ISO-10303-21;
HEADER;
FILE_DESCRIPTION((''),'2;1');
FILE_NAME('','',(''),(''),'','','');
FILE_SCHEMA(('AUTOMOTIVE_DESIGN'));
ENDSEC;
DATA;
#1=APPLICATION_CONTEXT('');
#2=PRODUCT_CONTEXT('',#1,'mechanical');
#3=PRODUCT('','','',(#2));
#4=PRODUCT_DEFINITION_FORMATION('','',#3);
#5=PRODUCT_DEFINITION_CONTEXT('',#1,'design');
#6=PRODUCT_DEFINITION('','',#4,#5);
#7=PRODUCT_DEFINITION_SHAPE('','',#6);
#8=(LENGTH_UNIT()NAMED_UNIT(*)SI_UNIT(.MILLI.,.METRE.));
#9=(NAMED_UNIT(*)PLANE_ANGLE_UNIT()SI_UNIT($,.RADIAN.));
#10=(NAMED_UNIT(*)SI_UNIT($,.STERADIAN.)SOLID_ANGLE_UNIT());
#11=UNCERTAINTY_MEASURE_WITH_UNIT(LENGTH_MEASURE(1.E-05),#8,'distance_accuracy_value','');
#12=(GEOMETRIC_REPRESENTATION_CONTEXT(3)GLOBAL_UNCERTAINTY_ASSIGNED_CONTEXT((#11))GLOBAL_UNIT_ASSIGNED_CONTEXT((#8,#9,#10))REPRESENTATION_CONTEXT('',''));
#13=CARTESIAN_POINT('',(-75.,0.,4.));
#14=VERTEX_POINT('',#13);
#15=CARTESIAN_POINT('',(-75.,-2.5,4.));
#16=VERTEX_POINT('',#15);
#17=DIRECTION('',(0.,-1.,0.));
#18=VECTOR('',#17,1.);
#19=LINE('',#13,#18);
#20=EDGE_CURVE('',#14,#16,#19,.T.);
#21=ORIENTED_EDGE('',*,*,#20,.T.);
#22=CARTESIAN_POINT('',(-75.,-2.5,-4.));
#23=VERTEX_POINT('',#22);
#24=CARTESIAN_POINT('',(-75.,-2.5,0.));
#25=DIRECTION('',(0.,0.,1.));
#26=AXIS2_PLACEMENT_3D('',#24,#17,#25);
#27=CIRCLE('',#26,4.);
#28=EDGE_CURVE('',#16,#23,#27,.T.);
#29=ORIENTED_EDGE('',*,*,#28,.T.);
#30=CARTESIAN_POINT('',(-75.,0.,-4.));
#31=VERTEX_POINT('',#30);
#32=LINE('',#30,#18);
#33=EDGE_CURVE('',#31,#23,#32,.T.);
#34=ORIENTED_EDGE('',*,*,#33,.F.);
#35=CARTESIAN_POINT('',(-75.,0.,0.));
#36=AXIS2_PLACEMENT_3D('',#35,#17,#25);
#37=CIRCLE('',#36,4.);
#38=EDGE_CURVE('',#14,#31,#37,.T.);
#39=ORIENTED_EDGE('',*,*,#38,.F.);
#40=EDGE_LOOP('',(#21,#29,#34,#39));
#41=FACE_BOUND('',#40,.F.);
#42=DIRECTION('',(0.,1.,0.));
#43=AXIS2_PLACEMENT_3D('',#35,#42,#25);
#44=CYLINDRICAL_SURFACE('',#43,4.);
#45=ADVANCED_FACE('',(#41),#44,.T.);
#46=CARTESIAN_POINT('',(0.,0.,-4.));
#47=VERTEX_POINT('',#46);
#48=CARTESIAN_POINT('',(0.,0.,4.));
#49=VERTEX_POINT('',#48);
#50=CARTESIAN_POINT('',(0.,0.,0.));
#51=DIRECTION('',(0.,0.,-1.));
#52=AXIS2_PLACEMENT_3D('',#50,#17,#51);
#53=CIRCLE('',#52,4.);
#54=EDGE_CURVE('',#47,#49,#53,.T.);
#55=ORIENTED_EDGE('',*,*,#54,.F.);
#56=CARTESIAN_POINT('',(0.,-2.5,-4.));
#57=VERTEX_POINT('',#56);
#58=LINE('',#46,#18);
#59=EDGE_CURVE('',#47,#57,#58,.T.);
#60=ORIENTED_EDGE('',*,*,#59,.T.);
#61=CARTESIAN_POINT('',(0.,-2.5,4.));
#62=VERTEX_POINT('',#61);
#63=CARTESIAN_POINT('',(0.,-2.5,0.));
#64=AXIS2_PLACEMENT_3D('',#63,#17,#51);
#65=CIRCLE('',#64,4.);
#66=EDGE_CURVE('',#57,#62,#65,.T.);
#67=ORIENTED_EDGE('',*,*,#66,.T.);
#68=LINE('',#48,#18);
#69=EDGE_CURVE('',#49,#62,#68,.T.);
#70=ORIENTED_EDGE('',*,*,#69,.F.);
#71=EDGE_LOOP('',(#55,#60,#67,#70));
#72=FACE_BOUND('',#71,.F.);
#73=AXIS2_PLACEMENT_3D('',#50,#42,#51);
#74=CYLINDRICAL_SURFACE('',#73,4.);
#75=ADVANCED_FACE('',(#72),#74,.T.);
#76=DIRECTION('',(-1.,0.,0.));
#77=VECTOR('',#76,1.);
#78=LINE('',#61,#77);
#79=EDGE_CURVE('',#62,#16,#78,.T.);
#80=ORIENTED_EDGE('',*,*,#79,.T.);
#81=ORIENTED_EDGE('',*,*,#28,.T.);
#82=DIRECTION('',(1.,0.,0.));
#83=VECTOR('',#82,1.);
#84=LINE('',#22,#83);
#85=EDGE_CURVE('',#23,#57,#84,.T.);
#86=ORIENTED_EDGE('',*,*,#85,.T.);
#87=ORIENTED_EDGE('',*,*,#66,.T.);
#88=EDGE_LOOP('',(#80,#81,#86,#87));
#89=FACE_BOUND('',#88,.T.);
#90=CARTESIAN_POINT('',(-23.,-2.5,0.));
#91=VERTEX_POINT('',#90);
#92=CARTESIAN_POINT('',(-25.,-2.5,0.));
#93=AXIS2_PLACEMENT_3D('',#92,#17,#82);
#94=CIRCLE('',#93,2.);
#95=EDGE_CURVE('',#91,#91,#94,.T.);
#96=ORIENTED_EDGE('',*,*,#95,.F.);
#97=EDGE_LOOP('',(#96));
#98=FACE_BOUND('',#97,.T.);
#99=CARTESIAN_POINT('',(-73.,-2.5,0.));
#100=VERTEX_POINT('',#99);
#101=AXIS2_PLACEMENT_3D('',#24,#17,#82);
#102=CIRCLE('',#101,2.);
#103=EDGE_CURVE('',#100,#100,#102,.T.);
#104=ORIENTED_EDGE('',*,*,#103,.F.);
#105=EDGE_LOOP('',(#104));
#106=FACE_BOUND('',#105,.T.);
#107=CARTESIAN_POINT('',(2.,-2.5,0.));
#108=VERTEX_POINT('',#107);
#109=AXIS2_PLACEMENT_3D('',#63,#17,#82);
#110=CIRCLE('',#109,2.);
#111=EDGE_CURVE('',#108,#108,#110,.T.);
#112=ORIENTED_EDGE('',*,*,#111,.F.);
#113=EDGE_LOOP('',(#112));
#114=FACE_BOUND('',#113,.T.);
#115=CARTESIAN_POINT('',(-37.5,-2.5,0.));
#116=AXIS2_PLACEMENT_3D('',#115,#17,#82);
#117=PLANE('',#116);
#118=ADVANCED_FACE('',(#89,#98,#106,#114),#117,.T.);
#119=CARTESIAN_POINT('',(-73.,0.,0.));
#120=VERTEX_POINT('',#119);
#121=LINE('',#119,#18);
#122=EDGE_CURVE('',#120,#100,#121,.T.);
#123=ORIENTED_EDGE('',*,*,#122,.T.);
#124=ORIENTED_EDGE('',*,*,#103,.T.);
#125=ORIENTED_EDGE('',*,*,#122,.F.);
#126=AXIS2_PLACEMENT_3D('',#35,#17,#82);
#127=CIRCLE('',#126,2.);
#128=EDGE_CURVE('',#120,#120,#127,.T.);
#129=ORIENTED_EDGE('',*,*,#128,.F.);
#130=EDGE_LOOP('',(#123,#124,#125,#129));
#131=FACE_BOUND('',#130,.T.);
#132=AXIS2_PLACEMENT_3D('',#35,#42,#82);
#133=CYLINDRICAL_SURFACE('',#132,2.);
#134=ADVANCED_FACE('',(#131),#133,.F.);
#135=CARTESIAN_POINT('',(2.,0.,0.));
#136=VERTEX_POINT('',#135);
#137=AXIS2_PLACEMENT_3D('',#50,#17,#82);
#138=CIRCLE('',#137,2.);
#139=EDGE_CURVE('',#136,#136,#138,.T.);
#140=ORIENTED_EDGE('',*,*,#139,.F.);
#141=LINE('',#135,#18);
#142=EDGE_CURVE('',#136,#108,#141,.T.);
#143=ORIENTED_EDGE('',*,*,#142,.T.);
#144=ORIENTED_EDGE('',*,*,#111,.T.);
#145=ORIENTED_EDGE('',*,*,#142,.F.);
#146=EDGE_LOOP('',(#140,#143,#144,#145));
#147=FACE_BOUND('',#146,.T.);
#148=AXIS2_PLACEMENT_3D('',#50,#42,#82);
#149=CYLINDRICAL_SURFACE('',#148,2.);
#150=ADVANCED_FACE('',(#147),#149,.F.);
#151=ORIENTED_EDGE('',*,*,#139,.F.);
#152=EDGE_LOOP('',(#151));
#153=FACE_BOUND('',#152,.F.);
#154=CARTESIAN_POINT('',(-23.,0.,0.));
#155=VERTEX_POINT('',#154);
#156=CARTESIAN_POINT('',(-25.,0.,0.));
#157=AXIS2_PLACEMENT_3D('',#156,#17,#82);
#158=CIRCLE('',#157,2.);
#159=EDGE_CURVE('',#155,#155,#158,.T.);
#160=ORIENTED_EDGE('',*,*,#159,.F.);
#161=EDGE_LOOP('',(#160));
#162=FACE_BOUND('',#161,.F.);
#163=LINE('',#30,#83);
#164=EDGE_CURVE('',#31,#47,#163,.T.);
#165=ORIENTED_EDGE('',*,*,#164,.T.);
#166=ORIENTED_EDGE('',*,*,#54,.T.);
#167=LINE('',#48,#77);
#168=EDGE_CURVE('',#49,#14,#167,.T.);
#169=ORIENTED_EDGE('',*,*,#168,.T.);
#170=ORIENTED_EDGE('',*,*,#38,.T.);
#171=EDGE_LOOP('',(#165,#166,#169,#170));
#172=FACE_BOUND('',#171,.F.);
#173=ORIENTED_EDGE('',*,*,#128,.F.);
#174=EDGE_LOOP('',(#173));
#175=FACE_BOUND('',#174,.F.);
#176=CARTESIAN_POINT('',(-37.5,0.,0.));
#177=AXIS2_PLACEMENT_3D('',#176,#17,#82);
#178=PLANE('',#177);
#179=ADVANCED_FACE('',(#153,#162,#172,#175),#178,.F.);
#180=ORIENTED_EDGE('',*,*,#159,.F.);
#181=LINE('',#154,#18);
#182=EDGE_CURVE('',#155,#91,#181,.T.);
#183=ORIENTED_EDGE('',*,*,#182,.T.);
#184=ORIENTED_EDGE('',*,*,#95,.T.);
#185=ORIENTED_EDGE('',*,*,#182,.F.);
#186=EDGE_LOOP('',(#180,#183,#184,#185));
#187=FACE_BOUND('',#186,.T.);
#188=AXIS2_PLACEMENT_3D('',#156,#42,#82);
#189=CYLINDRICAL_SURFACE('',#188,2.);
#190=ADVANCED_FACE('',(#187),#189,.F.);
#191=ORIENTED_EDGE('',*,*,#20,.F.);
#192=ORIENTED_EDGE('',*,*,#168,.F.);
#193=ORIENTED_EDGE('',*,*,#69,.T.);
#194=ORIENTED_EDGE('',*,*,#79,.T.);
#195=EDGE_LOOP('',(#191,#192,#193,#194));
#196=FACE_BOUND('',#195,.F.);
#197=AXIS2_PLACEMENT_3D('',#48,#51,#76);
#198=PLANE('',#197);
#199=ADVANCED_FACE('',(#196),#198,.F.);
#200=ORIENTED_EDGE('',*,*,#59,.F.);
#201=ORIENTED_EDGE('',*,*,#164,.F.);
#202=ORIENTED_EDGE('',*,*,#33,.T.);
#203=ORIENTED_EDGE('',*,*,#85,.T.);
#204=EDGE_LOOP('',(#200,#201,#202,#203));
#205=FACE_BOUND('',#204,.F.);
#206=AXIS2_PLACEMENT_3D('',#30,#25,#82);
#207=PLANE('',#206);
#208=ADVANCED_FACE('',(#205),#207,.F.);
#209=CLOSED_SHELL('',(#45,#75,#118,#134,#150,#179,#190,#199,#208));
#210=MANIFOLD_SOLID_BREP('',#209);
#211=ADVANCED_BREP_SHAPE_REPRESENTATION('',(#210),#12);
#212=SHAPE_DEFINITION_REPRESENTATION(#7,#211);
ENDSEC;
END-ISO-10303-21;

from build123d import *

# Parameters (mm, degrees)
F0_R     = 2
F1_DEPTH = 2.5


with BuildPart() as f1:
    # F0 (on Front) → F1 (new body)
    with BuildSketch(Plane.XZ):
        with BuildLine():
            Line((-75, -4), (0, -4))
            ThreePointArc((0, -4), (4, 0), (0, 4))
            Line((0, 4), (-75, 4))
            ThreePointArc((-75, 4), (-79, 0), (-75, -4))
        make_face()
        with Locations((-75, 0)):
            Circle(F0_R, mode=Mode.SUBTRACT)
        with Locations((-25, 0)):
            Circle(F0_R, mode=Mode.SUBTRACT)
        Circle(F0_R, mode=Mode.SUBTRACT)
    extrude(amount=F1_DEPTH)


solid = f1.part
